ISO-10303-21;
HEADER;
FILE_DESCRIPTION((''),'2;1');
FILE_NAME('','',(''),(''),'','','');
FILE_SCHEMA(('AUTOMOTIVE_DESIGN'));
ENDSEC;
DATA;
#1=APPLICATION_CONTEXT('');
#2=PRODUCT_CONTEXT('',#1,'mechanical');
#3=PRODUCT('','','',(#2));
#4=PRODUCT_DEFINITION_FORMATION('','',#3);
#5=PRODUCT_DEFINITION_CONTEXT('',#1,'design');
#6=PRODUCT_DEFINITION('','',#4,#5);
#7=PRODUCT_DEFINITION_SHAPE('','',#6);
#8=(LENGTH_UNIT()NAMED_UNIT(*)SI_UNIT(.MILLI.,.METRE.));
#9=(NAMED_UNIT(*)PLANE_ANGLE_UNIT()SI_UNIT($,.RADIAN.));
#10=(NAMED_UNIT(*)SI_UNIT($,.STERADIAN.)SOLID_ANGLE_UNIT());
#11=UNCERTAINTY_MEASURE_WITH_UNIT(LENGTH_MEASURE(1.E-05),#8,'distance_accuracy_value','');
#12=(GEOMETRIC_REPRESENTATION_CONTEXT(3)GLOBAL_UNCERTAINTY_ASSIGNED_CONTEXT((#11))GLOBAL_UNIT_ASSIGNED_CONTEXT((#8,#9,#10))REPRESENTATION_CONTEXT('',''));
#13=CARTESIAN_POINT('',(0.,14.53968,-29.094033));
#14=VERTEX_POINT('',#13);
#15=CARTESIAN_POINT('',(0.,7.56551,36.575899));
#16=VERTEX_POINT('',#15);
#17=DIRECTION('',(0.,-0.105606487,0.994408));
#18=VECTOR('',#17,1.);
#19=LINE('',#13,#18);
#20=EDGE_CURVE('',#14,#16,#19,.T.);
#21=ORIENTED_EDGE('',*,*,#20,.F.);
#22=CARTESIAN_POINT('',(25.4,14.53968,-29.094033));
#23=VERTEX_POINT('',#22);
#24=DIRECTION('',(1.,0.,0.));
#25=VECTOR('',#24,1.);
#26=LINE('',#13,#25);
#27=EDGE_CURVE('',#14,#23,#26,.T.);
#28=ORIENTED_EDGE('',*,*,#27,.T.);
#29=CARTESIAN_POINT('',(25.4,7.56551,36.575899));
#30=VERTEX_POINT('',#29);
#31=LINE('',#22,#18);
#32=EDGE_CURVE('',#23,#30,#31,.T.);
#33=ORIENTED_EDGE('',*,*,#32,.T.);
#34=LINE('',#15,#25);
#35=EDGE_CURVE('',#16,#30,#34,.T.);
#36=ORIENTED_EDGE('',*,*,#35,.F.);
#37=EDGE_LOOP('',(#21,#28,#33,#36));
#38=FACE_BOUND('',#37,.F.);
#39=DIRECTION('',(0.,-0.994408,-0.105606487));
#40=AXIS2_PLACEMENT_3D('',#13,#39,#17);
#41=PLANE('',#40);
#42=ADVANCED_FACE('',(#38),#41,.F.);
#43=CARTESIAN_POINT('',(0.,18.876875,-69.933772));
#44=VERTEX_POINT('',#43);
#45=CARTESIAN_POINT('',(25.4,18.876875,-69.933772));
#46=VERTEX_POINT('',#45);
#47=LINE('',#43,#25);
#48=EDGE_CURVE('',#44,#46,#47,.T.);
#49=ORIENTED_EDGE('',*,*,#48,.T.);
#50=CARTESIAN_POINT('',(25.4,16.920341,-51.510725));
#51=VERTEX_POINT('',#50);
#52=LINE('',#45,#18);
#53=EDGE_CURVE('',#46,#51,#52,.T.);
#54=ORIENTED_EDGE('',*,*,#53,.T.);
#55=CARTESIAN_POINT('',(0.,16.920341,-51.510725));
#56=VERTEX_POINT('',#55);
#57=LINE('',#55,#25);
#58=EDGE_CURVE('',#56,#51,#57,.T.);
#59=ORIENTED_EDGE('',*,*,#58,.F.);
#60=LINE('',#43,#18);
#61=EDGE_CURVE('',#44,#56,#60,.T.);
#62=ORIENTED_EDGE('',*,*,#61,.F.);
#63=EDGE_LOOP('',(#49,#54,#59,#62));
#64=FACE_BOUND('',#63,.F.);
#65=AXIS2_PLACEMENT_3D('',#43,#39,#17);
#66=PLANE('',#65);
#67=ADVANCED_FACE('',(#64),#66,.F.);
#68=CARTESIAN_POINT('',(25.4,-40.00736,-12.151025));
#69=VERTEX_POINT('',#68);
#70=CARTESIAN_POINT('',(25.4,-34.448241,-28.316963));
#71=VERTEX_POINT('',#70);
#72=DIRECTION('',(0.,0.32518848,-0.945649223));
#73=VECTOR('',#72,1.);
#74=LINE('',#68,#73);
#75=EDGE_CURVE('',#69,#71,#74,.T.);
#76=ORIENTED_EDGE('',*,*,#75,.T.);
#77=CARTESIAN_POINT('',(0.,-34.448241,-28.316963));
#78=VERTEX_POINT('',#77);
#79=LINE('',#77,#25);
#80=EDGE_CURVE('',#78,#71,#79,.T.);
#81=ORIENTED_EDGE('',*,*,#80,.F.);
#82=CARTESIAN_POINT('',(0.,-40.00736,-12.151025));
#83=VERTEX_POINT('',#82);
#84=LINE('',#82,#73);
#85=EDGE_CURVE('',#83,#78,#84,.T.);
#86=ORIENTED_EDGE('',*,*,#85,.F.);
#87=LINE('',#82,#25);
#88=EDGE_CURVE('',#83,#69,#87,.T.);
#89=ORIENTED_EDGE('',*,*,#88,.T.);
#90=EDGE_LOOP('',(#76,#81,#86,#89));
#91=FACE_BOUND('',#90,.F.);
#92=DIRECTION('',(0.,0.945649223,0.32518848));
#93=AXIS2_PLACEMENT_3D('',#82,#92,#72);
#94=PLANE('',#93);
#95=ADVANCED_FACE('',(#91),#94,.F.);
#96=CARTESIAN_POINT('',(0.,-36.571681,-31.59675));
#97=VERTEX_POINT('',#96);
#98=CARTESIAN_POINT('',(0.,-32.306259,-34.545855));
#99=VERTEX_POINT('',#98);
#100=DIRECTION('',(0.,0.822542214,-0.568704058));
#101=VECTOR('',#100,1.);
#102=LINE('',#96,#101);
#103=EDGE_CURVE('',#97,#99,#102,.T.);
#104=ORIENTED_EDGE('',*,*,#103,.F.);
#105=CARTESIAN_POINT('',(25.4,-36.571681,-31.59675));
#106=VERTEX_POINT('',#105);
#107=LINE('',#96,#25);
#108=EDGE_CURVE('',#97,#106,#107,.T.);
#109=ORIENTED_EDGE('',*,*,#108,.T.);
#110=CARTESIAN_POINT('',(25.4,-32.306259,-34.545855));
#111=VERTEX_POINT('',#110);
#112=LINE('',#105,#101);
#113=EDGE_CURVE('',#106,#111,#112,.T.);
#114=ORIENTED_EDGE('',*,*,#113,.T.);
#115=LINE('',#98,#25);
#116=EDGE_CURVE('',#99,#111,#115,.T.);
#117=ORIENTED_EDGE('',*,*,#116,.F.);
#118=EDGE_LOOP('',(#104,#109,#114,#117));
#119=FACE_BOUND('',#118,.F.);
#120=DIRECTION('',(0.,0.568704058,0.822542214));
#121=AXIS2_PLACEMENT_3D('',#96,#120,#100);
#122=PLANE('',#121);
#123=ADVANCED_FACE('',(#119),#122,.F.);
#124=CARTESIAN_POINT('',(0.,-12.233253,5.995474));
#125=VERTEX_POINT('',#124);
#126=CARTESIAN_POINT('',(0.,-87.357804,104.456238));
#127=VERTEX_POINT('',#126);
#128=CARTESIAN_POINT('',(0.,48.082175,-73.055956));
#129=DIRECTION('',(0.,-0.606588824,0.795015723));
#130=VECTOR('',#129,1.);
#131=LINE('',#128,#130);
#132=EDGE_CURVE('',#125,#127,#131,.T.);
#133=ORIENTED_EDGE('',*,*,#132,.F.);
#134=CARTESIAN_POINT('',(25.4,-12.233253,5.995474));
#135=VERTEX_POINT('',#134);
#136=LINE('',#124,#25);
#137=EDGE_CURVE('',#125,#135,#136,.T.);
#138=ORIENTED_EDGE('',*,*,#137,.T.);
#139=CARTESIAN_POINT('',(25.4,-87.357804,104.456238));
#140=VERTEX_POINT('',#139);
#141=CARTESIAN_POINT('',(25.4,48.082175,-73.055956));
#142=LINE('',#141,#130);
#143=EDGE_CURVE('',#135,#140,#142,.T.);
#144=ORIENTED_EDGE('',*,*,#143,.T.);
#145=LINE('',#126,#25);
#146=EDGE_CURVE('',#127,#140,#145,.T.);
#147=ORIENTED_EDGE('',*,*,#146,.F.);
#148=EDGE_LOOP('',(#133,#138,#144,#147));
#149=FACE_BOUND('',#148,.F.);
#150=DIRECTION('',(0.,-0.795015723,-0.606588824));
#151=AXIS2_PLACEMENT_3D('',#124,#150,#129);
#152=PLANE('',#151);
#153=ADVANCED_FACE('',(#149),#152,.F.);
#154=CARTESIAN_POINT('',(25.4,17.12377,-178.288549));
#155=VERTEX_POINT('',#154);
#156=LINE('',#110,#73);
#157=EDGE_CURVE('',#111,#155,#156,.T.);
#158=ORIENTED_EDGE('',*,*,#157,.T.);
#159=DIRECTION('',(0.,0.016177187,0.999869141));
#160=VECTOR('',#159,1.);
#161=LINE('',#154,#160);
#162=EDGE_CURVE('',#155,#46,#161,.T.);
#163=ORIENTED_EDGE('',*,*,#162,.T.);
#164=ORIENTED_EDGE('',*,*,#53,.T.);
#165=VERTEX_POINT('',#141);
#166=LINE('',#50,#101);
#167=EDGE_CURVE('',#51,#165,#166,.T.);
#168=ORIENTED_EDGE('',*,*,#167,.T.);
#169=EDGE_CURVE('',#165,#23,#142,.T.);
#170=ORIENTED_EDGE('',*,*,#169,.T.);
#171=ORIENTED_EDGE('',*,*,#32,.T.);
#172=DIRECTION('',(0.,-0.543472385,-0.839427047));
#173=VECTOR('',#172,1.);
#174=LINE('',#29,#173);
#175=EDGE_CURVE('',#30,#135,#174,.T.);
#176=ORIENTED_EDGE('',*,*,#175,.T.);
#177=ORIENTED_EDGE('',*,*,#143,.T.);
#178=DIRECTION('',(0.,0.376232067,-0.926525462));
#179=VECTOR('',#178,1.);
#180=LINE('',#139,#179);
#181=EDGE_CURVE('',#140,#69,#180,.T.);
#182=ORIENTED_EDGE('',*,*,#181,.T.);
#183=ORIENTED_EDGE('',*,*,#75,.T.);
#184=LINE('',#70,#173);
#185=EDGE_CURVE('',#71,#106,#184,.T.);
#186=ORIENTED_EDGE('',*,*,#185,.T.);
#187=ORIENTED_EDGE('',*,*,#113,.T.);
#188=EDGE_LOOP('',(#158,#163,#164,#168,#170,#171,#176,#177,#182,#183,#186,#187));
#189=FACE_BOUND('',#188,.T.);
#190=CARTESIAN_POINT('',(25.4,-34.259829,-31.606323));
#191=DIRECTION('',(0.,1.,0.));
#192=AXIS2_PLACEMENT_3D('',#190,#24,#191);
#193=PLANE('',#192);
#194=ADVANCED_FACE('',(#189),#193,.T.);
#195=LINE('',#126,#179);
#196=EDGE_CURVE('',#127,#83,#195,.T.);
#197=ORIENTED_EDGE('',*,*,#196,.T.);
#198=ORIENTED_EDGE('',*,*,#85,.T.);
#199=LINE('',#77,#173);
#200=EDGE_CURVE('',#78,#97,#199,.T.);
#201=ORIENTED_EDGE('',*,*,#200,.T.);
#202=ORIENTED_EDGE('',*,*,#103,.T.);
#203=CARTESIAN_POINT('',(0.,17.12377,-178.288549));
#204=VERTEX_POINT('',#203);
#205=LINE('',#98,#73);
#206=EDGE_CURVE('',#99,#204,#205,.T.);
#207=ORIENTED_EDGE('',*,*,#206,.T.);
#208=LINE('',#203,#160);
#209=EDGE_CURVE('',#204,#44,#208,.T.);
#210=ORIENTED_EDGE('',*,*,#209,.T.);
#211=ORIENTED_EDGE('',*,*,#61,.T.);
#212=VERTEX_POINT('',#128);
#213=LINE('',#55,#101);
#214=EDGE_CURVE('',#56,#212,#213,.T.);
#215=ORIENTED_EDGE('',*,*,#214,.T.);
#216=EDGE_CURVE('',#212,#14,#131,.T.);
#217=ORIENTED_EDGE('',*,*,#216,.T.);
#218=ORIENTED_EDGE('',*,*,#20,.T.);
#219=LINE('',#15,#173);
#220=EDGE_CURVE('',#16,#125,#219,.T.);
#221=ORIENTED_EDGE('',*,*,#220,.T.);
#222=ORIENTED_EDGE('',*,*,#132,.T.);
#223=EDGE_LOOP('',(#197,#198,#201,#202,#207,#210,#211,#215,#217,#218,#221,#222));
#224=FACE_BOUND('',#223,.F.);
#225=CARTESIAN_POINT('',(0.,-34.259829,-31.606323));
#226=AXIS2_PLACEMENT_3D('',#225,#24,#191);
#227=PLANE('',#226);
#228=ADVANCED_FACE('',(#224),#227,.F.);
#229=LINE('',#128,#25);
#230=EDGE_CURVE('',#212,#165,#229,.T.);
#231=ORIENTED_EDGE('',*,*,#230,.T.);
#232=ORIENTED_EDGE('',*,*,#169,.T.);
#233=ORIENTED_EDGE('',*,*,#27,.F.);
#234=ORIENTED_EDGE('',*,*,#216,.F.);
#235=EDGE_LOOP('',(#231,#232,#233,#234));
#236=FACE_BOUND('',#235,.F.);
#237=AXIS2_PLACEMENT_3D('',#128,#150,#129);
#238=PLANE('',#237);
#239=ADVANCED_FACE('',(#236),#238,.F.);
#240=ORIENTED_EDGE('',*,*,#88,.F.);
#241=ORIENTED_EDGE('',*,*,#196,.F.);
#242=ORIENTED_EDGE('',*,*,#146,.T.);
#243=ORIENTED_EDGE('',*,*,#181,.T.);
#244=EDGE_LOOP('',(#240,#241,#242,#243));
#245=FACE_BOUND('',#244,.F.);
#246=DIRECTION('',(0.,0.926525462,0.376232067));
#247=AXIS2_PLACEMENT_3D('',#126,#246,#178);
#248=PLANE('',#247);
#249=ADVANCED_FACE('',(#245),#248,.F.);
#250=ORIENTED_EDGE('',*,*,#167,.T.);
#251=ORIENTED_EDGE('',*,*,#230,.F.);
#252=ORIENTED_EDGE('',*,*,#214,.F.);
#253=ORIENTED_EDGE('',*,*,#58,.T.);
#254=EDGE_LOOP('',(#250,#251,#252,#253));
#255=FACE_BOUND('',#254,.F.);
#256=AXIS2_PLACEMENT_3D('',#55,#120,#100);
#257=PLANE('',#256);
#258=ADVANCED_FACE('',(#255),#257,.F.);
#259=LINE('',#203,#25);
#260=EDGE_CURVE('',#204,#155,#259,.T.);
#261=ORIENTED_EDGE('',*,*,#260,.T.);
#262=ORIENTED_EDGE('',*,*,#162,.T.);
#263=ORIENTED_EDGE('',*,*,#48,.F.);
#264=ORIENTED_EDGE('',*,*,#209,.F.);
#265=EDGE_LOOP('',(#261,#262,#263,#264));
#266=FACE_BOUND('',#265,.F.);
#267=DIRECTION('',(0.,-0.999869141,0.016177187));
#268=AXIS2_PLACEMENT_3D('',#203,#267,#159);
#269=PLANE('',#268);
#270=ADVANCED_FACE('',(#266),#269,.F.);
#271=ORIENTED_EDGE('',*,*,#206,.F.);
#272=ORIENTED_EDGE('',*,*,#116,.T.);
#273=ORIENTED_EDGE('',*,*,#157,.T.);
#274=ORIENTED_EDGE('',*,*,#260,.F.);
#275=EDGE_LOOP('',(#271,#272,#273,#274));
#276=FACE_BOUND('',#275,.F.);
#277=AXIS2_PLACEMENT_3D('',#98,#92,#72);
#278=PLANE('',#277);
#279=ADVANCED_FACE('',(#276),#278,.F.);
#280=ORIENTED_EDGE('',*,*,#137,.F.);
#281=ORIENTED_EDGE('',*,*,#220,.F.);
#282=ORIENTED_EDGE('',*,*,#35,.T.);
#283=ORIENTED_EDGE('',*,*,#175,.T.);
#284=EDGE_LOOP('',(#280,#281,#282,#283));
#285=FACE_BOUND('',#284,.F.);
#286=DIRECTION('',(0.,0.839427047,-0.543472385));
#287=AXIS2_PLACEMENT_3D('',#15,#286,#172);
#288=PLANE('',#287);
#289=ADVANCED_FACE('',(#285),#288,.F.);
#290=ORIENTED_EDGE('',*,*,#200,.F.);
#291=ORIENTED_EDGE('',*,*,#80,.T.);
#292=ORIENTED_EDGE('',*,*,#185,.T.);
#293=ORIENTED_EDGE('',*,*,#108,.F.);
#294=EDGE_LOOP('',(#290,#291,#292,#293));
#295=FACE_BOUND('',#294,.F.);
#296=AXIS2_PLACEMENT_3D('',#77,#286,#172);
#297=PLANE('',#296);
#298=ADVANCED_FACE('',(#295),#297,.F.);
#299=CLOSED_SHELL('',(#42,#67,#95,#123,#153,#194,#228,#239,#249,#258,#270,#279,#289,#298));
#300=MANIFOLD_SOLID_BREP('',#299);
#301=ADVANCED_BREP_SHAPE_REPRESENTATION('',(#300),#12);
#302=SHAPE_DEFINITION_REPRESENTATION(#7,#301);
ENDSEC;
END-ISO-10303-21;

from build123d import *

# Parameters (mm, degrees)
F1_DEPTH = 25.4


with BuildPart() as f1:
    # F0 (on Right) → F1 (new body)
    with BuildSketch(Plane.YZ):
        Polygon((-34.4482409456, -28.3169634459), (-36.5716814995, -31.596750021), (-32.3062588394, -34.5458548038), align=None)
        Polygon((-34.4482409456, -28.3169634459), (-32.3062588394, -34.5458548038), (18.8768748194, -69.9337720871), (16.9203405898, -51.5107249157), (-28.9372427897, -19.8048825524), align=None)
        Polygon((18.8768748194, -69.9337720871), (-32.3062588394, -34.5458548038), (17.1237699687, -178.2885491848), align=None)
        Polygon((-40.0073602796, -12.1510252357), (-34.4482409456, -28.3169634459), (-28.9372427897, -19.8048825524), align=None)
        Polygon((-40.0073602796, -12.1510252357), (-28.9372427897, -19.8048825524), (-12.2332527089, 5.9954735336), (-87.3578041792, 104.4562384486), align=None)
        Polygon((-12.2332527089, 5.9954735336), (-28.9372427897, -19.8048825524), (16.9203405898, -51.5107249157), (14.5396798196, -29.0940326822), align=None)
        Polygon((14.5396798196, -29.0940326822), (16.9203405898, -51.5107249157), (48.0821750748, -73.0559555868), align=None)
        Polygon((7.5655095279, 36.5758985281), (-12.2332527089, 5.9954735336), (14.5396798196, -29.0940326822), align=None)
    extrude(amount=F1_DEPTH)


solid = f1.part
